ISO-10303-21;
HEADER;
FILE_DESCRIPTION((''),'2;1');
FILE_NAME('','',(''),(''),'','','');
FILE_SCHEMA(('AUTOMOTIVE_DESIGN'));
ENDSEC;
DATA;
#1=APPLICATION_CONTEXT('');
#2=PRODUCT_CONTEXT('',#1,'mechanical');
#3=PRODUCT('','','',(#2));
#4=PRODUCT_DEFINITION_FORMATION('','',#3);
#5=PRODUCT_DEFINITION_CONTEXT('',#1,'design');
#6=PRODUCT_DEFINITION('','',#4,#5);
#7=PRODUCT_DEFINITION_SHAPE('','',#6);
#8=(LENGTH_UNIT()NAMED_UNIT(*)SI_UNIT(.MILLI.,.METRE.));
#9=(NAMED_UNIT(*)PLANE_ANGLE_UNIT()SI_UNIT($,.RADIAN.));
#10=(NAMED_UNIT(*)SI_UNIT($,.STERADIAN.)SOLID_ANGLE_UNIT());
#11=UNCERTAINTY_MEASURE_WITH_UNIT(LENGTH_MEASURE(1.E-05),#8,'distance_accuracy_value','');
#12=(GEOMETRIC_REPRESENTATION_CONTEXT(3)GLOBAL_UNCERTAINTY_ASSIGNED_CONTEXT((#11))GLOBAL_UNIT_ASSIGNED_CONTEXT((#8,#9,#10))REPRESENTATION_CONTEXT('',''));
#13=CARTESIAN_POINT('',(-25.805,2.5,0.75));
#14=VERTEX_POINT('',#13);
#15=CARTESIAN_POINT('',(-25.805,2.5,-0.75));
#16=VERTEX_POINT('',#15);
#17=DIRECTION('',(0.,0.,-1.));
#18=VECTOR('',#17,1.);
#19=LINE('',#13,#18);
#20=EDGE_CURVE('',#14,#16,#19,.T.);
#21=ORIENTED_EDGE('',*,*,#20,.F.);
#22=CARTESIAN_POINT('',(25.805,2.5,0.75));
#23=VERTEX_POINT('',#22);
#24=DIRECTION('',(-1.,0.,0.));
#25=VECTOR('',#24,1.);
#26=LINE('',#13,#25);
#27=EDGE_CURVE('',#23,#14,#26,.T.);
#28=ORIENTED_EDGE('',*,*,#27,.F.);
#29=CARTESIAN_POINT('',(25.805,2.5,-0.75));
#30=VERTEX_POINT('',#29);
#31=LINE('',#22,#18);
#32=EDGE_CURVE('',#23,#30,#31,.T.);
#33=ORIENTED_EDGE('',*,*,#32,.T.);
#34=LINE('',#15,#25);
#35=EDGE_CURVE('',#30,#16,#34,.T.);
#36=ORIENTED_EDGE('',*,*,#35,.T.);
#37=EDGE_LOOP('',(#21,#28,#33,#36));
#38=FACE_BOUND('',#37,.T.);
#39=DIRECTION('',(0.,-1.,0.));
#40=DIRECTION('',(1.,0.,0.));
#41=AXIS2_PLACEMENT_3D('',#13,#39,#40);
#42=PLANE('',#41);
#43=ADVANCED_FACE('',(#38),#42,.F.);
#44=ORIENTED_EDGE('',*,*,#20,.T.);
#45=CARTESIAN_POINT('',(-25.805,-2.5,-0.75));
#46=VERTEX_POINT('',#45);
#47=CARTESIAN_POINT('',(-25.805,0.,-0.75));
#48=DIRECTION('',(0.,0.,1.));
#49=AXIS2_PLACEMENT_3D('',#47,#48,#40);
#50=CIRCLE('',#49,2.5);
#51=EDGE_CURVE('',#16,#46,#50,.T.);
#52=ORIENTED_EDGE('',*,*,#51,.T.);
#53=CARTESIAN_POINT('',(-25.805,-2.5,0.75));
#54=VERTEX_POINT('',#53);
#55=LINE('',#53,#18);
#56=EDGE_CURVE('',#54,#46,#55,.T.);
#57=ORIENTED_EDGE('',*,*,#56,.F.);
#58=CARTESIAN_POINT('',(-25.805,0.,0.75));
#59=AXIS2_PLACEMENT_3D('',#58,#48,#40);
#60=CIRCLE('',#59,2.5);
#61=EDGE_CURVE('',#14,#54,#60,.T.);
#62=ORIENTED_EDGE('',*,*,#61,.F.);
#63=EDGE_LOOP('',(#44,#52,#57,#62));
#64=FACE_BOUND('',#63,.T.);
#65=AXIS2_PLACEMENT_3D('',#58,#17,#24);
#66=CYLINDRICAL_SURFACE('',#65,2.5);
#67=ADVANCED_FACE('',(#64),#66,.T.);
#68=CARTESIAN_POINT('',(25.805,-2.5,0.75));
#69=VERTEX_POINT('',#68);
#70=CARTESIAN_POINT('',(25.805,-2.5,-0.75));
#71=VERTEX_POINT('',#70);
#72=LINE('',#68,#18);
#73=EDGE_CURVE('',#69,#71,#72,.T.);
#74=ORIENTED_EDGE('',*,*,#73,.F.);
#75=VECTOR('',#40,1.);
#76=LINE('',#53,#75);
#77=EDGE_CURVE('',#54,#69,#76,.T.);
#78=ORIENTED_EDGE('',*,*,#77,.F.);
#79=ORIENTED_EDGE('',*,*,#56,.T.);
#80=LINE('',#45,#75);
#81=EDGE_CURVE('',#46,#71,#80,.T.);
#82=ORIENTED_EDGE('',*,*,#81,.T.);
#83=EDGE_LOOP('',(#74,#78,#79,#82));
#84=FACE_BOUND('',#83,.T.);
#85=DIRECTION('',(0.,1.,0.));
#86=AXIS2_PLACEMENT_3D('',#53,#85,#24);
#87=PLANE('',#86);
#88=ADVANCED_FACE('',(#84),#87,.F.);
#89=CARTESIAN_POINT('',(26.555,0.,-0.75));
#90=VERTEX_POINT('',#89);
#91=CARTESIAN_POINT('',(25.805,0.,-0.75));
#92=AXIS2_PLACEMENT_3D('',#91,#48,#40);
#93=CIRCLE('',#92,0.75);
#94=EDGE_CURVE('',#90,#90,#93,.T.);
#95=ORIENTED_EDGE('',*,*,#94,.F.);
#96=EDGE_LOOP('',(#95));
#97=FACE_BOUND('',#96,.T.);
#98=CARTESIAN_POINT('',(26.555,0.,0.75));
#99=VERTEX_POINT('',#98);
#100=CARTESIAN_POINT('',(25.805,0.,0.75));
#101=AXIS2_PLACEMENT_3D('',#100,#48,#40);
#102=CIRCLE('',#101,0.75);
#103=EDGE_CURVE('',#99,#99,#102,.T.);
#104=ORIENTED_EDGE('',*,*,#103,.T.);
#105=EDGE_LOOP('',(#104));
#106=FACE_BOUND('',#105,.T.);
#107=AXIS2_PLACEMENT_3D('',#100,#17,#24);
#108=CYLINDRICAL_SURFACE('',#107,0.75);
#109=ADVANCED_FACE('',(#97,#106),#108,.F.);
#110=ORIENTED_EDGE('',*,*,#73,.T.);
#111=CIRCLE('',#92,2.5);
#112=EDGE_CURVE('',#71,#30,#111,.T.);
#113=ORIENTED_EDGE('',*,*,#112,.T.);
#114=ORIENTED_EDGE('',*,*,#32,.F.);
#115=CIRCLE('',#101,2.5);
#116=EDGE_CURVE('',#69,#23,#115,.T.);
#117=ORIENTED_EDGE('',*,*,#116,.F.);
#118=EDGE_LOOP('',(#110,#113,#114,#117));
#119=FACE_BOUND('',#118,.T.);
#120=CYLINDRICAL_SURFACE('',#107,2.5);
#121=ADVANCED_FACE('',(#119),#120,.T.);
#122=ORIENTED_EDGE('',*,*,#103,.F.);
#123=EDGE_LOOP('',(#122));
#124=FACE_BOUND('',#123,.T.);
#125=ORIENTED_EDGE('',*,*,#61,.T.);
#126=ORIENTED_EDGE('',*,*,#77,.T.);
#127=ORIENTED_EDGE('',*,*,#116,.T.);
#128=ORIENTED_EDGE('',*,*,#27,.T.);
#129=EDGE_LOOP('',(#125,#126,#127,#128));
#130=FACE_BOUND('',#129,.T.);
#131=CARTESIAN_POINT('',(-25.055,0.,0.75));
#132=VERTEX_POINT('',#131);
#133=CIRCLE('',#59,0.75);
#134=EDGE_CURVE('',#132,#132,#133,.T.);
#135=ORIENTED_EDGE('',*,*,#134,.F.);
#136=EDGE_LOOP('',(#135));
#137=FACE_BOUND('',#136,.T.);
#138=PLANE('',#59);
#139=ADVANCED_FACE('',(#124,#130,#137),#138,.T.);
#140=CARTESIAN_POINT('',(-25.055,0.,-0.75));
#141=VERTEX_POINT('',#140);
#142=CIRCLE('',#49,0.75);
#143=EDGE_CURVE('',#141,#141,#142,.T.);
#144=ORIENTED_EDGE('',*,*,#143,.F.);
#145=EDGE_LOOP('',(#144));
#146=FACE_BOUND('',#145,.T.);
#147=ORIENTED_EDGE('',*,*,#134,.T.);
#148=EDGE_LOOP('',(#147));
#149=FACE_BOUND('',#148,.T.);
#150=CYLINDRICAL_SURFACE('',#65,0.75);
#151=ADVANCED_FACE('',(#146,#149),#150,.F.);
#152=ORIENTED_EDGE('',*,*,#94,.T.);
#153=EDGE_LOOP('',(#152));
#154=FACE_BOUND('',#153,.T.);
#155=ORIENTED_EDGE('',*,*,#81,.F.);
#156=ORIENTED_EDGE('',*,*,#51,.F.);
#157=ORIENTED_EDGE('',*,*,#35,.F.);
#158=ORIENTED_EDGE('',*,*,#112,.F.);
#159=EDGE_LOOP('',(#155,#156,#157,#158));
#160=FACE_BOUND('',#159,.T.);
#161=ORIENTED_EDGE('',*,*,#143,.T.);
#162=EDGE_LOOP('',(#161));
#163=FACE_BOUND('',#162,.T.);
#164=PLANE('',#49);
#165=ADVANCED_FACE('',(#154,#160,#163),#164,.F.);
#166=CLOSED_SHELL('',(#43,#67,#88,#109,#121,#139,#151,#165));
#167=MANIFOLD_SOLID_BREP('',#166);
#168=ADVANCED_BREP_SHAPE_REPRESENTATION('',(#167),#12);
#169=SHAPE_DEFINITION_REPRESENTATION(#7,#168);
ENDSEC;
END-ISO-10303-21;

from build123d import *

# Parameters (mm, degrees)
SKETCH_1_R      = 0.75
EXTRUDE_1_DEPTH = 0.75


with BuildPart() as part:
    # 草圖1 → 填料-伸長1 (new body, symmetric)
    with BuildSketch(Plane.XY):
        with BuildLine():
            Line((-25.805, 2.5), (25.805, 2.5))
            ThreePointArc((25.805, 2.5), (28.305, 0), (25.805, -2.5))
            Line((25.805, -2.5), (-25.805, -2.5))
            ThreePointArc((-25.805, -2.5), (-28.305, 0), (-25.805, 2.5))
        make_face()
        with Locations((25.805, 0)):
            Circle(SKETCH_1_R, mode=Mode.SUBTRACT)
        with Locations((-25.805, 0)):
            Circle(SKETCH_1_R, mode=Mode.SUBTRACT)
    extrude(amount=EXTRUDE_1_DEPTH, both=True)


solid = part.part
